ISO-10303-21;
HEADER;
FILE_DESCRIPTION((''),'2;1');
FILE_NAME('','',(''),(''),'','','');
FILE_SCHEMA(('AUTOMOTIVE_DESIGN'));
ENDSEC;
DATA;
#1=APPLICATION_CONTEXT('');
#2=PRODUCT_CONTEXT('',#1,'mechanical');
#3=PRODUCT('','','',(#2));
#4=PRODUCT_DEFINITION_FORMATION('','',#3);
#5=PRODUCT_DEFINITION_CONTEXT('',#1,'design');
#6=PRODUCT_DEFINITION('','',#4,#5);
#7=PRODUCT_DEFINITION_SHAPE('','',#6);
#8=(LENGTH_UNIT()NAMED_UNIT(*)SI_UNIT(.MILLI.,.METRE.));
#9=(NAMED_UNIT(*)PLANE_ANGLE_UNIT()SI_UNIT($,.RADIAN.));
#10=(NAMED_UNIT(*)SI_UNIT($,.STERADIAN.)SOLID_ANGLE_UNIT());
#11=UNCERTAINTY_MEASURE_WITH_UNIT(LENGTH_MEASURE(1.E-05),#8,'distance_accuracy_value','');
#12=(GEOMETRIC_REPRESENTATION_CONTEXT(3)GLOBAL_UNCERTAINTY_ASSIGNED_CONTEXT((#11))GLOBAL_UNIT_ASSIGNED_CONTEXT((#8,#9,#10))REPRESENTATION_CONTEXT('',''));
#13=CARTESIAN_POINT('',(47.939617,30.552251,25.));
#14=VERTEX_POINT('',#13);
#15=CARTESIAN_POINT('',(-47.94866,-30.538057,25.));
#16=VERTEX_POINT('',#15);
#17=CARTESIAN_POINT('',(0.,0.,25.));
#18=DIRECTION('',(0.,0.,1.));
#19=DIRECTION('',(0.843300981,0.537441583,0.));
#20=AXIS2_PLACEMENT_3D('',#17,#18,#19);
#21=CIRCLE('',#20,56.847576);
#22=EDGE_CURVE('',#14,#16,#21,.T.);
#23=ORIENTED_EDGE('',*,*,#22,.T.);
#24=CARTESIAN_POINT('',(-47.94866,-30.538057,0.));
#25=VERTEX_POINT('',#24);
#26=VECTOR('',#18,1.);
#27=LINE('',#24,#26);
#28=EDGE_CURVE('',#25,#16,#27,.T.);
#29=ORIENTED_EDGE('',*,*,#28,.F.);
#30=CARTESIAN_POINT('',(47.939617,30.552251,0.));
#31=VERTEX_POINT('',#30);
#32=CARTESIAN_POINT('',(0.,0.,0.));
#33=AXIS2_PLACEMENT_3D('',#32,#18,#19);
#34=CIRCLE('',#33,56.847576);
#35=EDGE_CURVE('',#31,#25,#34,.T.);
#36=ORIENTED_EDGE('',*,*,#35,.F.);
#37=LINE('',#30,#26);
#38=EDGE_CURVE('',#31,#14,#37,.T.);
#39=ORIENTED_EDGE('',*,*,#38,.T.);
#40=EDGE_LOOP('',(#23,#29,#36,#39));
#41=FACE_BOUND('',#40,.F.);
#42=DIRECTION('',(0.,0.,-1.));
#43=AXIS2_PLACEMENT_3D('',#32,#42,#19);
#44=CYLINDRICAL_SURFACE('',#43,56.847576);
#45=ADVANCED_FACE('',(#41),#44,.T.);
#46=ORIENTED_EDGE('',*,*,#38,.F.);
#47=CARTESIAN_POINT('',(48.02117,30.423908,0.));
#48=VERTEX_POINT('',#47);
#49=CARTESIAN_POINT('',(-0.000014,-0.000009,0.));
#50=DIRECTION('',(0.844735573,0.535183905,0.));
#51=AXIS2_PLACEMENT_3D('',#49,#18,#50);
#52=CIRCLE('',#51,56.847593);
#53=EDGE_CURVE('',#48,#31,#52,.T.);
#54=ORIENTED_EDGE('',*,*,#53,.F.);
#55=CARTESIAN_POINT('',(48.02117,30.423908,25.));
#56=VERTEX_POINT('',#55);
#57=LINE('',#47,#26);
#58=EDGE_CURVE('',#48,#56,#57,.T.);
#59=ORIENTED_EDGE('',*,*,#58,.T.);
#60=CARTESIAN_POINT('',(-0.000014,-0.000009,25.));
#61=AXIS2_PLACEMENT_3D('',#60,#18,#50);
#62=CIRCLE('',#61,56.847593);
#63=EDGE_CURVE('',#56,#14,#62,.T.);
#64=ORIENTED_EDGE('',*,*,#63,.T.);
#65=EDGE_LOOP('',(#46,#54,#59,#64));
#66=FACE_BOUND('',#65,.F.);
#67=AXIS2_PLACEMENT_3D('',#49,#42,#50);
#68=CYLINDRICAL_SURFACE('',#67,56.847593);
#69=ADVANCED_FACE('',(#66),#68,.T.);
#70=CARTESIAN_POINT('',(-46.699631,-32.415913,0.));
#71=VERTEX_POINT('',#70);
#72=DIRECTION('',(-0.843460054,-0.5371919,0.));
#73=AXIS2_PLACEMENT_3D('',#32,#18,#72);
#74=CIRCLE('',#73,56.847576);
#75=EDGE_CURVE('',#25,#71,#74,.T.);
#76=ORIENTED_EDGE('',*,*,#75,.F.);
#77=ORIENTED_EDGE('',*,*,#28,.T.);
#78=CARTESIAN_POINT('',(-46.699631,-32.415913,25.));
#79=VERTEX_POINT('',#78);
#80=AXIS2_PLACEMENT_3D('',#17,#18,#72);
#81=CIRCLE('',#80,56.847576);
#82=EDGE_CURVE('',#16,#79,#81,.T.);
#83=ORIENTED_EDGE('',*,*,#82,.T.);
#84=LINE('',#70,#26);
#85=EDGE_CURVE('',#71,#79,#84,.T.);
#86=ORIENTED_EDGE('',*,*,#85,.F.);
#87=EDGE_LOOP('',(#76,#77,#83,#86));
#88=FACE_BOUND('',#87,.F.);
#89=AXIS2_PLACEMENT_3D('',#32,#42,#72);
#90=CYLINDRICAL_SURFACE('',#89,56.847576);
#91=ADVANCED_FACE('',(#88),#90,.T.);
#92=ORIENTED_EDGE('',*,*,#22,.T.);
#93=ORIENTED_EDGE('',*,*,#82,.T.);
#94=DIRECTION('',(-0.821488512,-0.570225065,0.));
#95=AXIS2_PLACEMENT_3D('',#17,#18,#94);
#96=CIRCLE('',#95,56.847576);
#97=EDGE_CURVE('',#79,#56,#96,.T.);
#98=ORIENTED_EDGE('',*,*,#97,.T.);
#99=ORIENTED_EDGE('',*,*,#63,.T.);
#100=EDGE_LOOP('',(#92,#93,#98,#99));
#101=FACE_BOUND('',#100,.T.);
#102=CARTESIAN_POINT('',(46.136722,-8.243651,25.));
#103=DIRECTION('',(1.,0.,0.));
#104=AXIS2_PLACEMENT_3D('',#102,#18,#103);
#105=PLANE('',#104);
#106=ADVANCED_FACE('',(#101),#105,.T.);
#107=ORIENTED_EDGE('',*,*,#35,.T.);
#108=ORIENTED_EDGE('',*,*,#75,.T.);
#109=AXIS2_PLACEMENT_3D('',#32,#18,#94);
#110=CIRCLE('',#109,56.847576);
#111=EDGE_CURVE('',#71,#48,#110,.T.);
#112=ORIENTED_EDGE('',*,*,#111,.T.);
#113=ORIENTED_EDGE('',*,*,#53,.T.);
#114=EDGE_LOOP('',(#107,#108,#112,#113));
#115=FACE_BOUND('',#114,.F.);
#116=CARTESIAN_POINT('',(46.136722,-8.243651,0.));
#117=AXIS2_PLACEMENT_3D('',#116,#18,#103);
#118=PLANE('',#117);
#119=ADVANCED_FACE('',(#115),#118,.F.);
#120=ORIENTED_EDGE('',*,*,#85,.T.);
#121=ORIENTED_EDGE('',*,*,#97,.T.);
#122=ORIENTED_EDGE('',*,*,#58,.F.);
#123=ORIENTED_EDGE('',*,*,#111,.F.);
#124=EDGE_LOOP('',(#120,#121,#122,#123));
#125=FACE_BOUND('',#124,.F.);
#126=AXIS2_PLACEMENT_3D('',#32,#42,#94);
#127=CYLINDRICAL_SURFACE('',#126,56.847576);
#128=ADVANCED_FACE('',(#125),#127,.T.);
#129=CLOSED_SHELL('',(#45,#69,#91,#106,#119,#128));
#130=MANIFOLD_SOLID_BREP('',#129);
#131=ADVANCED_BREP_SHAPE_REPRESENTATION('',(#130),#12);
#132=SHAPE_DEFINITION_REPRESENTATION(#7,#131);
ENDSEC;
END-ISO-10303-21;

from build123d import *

# Parameters (mm, degrees)
F1_DEPTH = 25


with BuildPart() as f1:
    # F0 (on Top) → F1 (new body)
    with BuildSketch(Plane.XY):
        with BuildLine():
            ThreePointArc((34.4421628101, -45.2259253058), (50.9391812227, -25.2358220624), (56.8475760151, 0))
            ThreePointArc((56.8475760151, 0), (54.5964009484, 15.8391888138), (48.0211696892, 30.4239077122))
            Line((48.0211696892, 30.4239077122), (47.752983584, 29.4404234737))
            Line((47.752983584, 29.4404234737), (41.9086931268, -3.3428163471))
            Line((41.9086931268, -3.3428163471), (34.4421628101, -45.2259253058))
        make_face()
        with BuildLine():
            Line((47.752983584, 29.4404234737), (48.0211696892, 30.4239077122))
            ThreePointArc((48.0211696892, 30.4239077122), (47.9804360773, 30.4881067407), (47.9396166384, 30.5522512324))
            Line((47.9396166384, 30.5522512324), (46.2772846222, 29.4735741736))
            Line((46.2772846222, 29.4735741736), (43.115368513, 27.4597790745))
            Line((43.115368513, 27.4597790745), (37.8289818764, 4.7783735208))
            Line((37.8289818764, 4.7783735208), (19.0379463026, 12.1250917603))
            Line((19.0379463026, 12.1250917603), (16.4869613945, -10.5114309117))
            Line((16.4869613945, -10.5114309117), (-11.5443496034, -7.352489393))
            Line((-11.5443496034, -7.352489393), (-11.5443496034, -25.9417498456))
            Line((-11.5443496034, -25.9417498456), (-40.7318682875, -25.9417498456))
            Line((-40.7318682875, -25.9417498456), (-47.9486595265, -30.5380573778))
            Line((-47.9486595265, -30.5380573778), (-46.6996306402, -32.4159127108))
            Line((-46.6996306402, -32.4159127108), (-12.2733481025, -37.8508568272))
            Line((-12.2733481025, -37.8508568272), (41.9086931268, -3.3428163471))
            Line((41.9086931268, -3.3428163471), (47.752983584, 29.4404234737))
        make_face()
        with BuildLine():
            ThreePointArc((-46.6996306402, -32.4159127108), (-8.8648454624, -56.1521274194), (34.4421628101, -45.2259253058))
            Line((34.4421628101, -45.2259253058), (-12.2733481025, -37.8508568272))
            Line((-12.2733481025, -37.8508568272), (-46.6996306402, -32.4159127108))
        make_face()
        Polygon((-12.2733481025, -37.8508568272), (34.4421628101, -45.2259253058), (41.9086931268, -3.3428163471), align=None)
        with BuildLine():
            Line((46.2772846222, 29.4735741736), (47.9396166384, 30.5522512324))
            ThreePointArc((47.9396166384, 30.5522512324), (-30.5451546397, 47.9441386077), (-47.9486595265, -30.5380573778))
            Line((-47.9486595265, -30.5380573778), (-40.7318682875, -25.9417498456))
            Line((-40.7318682875, -25.9417498456), (-11.5443496034, -7.352489393))
            Line((-11.5443496034, -7.352489393), (0, 0))
            Line((0, 0), (19.0379463026, 12.1250917603))
            Line((19.0379463026, 12.1250917603), (43.115368513, 27.4597790745))
            Line((43.115368513, 27.4597790745), (46.2772846222, 29.4735741736))
        make_face()
        with BuildLine():
            ThreePointArc((-26.8048855143, 14.4364913875), (-25.4860998629, 11.0898762714), (-25.0371820332, 7.5209126808))
            ThreePointArc((-25.0371820332, 7.5209126808), (-52.4820836578, 1.3716192425), (-30.2849620032, 18.6436841226))
            Line((-30.2849620032, 18.6436841226), (-5.761257398, 26.9156774244))
            ThreePointArc((-5.761257398, 26.9156774244), (-0.1731727723, 52.3962711758), (21.4218145841, 37.7626158297))
            ThreePointArc((21.4218145841, 37.7626158297), (14.581504427, 24.7719418794), (0, 23.06104113))
            Line((0, 23.06104113), (-26.8048855143, 14.4364913875))
        make_face(mode=Mode.SUBTRACT)
        with BuildLine():
            ThreePointArc((-47.9486595265, -30.5380573778), (-47.3334584943, -31.4831797277), (-46.6996306402, -32.4159127108))
            Line((-46.6996306402, -32.4159127108), (-47.9486595265, -30.5380573778))
        make_face()
        with BuildLine():
            ThreePointArc((-30.2849620032, 18.6436841226), (-52.4820836578, 1.3716192425), (-25.0371820332, 7.5209126808))
            ThreePointArc((-25.0371820332, 7.5209126808), (-25.4860998629, 11.0898762714), (-26.8048855143, 14.4364913875))
            ThreePointArc((-26.8048855143, 14.4364913875), (-28.3438578322, 16.7064040727), (-30.2849620032, 18.6436841226))
        make_face()
        with BuildLine():
            ThreePointArc((-5.761257398, 26.9156774244), (-3.0952418564, 24.6675918827), (0, 23.06104113))
            ThreePointArc((0, 23.06104113), (14.581504427, 24.7719418794), (21.4218145841, 37.7626158297))
            ThreePointArc((21.4218145841, 37.7626158297), (-0.1731727723, 52.3962711758), (-5.761257398, 26.9156774244))
        make_face()
        with BuildLine():
            ThreePointArc((-30.2849620032, 18.6436841226), (-28.3438578322, 16.7064040727), (-26.8048855143, 14.4364913875))
            Line((-26.8048855143, 14.4364913875), (0, 23.06104113))
            ThreePointArc((0, 23.06104113), (-3.0952418564, 24.6675918827), (-5.761257398, 26.9156774244))
            Line((-5.761257398, 26.9156774244), (-30.2849620032, 18.6436841226))
        make_face()
        Polygon((-11.5443496034, -7.352489393), (-40.7318682875, -25.9417498456), (-11.5443496034, -25.9417498456), align=None)
        Polygon((0, 0), (-11.5443496034, -7.352489393), (16.4869613945, -10.5114309117), (19.0379463026, 12.1250917603), align=None)
        Polygon((37.8289818764, 4.7783735208), (43.115368513, 27.4597790745), (19.0379463026, 12.1250917603), align=None)
    extrude(amount=F1_DEPTH)


solid = f1.part
